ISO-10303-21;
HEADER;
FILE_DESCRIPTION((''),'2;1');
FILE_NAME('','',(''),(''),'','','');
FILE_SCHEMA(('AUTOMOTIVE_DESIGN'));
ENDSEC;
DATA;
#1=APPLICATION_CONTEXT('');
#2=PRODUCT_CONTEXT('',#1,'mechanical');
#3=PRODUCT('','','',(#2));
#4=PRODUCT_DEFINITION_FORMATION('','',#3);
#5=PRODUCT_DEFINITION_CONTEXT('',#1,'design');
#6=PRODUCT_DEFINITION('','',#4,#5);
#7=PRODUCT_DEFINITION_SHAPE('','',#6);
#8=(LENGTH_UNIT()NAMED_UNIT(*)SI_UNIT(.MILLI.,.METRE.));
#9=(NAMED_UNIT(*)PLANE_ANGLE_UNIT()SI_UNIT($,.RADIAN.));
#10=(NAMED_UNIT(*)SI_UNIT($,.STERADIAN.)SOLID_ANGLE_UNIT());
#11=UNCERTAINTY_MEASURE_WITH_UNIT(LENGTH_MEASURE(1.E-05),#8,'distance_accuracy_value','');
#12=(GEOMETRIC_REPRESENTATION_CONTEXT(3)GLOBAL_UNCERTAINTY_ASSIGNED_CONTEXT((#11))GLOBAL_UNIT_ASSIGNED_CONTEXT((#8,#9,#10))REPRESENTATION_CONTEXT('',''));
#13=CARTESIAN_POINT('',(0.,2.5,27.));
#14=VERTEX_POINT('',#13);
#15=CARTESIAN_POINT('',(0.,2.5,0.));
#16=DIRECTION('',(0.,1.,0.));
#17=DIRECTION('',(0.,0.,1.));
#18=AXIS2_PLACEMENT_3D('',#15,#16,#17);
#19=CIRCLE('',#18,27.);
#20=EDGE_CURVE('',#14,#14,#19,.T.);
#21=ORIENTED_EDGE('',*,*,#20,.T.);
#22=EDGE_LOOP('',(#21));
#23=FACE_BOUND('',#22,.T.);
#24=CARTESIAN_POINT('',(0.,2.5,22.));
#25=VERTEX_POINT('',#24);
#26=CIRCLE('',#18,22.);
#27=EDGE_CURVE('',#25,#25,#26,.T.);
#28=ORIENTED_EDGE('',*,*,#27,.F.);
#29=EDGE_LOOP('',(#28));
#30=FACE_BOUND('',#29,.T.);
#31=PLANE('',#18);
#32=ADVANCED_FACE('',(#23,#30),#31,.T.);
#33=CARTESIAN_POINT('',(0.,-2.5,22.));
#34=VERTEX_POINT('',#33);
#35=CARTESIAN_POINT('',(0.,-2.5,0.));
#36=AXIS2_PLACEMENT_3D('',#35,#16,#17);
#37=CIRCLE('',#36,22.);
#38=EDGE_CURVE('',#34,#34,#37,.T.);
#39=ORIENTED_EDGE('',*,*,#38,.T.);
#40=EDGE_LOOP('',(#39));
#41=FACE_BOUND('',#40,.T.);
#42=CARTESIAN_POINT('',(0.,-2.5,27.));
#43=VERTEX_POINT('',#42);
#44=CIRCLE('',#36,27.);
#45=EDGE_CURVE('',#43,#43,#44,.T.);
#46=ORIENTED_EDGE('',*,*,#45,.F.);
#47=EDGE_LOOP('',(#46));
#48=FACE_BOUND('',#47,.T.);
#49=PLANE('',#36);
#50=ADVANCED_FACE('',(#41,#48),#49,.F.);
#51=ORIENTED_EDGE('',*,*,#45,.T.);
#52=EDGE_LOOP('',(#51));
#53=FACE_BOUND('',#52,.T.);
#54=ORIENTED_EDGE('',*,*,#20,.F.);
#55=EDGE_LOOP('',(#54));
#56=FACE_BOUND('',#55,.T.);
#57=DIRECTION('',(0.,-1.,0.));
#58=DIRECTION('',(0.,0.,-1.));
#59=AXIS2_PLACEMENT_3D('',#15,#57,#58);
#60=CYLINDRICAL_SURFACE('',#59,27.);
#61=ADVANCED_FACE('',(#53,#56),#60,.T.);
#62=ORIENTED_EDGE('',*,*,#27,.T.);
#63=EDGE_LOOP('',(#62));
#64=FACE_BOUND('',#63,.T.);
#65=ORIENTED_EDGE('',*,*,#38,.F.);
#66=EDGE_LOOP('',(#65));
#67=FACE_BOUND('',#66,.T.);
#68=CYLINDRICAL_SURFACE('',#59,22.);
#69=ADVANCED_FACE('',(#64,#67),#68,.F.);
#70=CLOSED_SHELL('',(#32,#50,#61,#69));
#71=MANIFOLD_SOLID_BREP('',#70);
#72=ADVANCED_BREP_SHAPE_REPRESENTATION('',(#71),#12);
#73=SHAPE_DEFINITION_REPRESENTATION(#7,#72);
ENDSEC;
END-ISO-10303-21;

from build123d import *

# Parameters (mm, degrees)
SKETCH_1_R      = 22
EXTRUDE_1_DEPTH = 2.5


with BuildPart() as part:
    # 草圖1 → 填料-伸長1 (new, symmetric)
    with BuildSketch(Plane(origin=(0, 0, 0), x_dir=(1, 0, 0), z_dir=(0, 1, 0))):
        with BuildLine():
            ThreePointArc((0.892561983, 26.985242877), (-27, 0), (0.892561983, -26.985242877))
            ThreePointArc((0.892561983, -26.985242877), (27, 0), (0.892561983, 26.985242877))
        make_face()
        with Locations(Location((0, 0, 0), (0, 0, 270))):
            Circle(SKETCH_1_R, mode=Mode.SUBTRACT)
    extrude(amount=EXTRUDE_1_DEPTH, both=True)


solid = part.part
